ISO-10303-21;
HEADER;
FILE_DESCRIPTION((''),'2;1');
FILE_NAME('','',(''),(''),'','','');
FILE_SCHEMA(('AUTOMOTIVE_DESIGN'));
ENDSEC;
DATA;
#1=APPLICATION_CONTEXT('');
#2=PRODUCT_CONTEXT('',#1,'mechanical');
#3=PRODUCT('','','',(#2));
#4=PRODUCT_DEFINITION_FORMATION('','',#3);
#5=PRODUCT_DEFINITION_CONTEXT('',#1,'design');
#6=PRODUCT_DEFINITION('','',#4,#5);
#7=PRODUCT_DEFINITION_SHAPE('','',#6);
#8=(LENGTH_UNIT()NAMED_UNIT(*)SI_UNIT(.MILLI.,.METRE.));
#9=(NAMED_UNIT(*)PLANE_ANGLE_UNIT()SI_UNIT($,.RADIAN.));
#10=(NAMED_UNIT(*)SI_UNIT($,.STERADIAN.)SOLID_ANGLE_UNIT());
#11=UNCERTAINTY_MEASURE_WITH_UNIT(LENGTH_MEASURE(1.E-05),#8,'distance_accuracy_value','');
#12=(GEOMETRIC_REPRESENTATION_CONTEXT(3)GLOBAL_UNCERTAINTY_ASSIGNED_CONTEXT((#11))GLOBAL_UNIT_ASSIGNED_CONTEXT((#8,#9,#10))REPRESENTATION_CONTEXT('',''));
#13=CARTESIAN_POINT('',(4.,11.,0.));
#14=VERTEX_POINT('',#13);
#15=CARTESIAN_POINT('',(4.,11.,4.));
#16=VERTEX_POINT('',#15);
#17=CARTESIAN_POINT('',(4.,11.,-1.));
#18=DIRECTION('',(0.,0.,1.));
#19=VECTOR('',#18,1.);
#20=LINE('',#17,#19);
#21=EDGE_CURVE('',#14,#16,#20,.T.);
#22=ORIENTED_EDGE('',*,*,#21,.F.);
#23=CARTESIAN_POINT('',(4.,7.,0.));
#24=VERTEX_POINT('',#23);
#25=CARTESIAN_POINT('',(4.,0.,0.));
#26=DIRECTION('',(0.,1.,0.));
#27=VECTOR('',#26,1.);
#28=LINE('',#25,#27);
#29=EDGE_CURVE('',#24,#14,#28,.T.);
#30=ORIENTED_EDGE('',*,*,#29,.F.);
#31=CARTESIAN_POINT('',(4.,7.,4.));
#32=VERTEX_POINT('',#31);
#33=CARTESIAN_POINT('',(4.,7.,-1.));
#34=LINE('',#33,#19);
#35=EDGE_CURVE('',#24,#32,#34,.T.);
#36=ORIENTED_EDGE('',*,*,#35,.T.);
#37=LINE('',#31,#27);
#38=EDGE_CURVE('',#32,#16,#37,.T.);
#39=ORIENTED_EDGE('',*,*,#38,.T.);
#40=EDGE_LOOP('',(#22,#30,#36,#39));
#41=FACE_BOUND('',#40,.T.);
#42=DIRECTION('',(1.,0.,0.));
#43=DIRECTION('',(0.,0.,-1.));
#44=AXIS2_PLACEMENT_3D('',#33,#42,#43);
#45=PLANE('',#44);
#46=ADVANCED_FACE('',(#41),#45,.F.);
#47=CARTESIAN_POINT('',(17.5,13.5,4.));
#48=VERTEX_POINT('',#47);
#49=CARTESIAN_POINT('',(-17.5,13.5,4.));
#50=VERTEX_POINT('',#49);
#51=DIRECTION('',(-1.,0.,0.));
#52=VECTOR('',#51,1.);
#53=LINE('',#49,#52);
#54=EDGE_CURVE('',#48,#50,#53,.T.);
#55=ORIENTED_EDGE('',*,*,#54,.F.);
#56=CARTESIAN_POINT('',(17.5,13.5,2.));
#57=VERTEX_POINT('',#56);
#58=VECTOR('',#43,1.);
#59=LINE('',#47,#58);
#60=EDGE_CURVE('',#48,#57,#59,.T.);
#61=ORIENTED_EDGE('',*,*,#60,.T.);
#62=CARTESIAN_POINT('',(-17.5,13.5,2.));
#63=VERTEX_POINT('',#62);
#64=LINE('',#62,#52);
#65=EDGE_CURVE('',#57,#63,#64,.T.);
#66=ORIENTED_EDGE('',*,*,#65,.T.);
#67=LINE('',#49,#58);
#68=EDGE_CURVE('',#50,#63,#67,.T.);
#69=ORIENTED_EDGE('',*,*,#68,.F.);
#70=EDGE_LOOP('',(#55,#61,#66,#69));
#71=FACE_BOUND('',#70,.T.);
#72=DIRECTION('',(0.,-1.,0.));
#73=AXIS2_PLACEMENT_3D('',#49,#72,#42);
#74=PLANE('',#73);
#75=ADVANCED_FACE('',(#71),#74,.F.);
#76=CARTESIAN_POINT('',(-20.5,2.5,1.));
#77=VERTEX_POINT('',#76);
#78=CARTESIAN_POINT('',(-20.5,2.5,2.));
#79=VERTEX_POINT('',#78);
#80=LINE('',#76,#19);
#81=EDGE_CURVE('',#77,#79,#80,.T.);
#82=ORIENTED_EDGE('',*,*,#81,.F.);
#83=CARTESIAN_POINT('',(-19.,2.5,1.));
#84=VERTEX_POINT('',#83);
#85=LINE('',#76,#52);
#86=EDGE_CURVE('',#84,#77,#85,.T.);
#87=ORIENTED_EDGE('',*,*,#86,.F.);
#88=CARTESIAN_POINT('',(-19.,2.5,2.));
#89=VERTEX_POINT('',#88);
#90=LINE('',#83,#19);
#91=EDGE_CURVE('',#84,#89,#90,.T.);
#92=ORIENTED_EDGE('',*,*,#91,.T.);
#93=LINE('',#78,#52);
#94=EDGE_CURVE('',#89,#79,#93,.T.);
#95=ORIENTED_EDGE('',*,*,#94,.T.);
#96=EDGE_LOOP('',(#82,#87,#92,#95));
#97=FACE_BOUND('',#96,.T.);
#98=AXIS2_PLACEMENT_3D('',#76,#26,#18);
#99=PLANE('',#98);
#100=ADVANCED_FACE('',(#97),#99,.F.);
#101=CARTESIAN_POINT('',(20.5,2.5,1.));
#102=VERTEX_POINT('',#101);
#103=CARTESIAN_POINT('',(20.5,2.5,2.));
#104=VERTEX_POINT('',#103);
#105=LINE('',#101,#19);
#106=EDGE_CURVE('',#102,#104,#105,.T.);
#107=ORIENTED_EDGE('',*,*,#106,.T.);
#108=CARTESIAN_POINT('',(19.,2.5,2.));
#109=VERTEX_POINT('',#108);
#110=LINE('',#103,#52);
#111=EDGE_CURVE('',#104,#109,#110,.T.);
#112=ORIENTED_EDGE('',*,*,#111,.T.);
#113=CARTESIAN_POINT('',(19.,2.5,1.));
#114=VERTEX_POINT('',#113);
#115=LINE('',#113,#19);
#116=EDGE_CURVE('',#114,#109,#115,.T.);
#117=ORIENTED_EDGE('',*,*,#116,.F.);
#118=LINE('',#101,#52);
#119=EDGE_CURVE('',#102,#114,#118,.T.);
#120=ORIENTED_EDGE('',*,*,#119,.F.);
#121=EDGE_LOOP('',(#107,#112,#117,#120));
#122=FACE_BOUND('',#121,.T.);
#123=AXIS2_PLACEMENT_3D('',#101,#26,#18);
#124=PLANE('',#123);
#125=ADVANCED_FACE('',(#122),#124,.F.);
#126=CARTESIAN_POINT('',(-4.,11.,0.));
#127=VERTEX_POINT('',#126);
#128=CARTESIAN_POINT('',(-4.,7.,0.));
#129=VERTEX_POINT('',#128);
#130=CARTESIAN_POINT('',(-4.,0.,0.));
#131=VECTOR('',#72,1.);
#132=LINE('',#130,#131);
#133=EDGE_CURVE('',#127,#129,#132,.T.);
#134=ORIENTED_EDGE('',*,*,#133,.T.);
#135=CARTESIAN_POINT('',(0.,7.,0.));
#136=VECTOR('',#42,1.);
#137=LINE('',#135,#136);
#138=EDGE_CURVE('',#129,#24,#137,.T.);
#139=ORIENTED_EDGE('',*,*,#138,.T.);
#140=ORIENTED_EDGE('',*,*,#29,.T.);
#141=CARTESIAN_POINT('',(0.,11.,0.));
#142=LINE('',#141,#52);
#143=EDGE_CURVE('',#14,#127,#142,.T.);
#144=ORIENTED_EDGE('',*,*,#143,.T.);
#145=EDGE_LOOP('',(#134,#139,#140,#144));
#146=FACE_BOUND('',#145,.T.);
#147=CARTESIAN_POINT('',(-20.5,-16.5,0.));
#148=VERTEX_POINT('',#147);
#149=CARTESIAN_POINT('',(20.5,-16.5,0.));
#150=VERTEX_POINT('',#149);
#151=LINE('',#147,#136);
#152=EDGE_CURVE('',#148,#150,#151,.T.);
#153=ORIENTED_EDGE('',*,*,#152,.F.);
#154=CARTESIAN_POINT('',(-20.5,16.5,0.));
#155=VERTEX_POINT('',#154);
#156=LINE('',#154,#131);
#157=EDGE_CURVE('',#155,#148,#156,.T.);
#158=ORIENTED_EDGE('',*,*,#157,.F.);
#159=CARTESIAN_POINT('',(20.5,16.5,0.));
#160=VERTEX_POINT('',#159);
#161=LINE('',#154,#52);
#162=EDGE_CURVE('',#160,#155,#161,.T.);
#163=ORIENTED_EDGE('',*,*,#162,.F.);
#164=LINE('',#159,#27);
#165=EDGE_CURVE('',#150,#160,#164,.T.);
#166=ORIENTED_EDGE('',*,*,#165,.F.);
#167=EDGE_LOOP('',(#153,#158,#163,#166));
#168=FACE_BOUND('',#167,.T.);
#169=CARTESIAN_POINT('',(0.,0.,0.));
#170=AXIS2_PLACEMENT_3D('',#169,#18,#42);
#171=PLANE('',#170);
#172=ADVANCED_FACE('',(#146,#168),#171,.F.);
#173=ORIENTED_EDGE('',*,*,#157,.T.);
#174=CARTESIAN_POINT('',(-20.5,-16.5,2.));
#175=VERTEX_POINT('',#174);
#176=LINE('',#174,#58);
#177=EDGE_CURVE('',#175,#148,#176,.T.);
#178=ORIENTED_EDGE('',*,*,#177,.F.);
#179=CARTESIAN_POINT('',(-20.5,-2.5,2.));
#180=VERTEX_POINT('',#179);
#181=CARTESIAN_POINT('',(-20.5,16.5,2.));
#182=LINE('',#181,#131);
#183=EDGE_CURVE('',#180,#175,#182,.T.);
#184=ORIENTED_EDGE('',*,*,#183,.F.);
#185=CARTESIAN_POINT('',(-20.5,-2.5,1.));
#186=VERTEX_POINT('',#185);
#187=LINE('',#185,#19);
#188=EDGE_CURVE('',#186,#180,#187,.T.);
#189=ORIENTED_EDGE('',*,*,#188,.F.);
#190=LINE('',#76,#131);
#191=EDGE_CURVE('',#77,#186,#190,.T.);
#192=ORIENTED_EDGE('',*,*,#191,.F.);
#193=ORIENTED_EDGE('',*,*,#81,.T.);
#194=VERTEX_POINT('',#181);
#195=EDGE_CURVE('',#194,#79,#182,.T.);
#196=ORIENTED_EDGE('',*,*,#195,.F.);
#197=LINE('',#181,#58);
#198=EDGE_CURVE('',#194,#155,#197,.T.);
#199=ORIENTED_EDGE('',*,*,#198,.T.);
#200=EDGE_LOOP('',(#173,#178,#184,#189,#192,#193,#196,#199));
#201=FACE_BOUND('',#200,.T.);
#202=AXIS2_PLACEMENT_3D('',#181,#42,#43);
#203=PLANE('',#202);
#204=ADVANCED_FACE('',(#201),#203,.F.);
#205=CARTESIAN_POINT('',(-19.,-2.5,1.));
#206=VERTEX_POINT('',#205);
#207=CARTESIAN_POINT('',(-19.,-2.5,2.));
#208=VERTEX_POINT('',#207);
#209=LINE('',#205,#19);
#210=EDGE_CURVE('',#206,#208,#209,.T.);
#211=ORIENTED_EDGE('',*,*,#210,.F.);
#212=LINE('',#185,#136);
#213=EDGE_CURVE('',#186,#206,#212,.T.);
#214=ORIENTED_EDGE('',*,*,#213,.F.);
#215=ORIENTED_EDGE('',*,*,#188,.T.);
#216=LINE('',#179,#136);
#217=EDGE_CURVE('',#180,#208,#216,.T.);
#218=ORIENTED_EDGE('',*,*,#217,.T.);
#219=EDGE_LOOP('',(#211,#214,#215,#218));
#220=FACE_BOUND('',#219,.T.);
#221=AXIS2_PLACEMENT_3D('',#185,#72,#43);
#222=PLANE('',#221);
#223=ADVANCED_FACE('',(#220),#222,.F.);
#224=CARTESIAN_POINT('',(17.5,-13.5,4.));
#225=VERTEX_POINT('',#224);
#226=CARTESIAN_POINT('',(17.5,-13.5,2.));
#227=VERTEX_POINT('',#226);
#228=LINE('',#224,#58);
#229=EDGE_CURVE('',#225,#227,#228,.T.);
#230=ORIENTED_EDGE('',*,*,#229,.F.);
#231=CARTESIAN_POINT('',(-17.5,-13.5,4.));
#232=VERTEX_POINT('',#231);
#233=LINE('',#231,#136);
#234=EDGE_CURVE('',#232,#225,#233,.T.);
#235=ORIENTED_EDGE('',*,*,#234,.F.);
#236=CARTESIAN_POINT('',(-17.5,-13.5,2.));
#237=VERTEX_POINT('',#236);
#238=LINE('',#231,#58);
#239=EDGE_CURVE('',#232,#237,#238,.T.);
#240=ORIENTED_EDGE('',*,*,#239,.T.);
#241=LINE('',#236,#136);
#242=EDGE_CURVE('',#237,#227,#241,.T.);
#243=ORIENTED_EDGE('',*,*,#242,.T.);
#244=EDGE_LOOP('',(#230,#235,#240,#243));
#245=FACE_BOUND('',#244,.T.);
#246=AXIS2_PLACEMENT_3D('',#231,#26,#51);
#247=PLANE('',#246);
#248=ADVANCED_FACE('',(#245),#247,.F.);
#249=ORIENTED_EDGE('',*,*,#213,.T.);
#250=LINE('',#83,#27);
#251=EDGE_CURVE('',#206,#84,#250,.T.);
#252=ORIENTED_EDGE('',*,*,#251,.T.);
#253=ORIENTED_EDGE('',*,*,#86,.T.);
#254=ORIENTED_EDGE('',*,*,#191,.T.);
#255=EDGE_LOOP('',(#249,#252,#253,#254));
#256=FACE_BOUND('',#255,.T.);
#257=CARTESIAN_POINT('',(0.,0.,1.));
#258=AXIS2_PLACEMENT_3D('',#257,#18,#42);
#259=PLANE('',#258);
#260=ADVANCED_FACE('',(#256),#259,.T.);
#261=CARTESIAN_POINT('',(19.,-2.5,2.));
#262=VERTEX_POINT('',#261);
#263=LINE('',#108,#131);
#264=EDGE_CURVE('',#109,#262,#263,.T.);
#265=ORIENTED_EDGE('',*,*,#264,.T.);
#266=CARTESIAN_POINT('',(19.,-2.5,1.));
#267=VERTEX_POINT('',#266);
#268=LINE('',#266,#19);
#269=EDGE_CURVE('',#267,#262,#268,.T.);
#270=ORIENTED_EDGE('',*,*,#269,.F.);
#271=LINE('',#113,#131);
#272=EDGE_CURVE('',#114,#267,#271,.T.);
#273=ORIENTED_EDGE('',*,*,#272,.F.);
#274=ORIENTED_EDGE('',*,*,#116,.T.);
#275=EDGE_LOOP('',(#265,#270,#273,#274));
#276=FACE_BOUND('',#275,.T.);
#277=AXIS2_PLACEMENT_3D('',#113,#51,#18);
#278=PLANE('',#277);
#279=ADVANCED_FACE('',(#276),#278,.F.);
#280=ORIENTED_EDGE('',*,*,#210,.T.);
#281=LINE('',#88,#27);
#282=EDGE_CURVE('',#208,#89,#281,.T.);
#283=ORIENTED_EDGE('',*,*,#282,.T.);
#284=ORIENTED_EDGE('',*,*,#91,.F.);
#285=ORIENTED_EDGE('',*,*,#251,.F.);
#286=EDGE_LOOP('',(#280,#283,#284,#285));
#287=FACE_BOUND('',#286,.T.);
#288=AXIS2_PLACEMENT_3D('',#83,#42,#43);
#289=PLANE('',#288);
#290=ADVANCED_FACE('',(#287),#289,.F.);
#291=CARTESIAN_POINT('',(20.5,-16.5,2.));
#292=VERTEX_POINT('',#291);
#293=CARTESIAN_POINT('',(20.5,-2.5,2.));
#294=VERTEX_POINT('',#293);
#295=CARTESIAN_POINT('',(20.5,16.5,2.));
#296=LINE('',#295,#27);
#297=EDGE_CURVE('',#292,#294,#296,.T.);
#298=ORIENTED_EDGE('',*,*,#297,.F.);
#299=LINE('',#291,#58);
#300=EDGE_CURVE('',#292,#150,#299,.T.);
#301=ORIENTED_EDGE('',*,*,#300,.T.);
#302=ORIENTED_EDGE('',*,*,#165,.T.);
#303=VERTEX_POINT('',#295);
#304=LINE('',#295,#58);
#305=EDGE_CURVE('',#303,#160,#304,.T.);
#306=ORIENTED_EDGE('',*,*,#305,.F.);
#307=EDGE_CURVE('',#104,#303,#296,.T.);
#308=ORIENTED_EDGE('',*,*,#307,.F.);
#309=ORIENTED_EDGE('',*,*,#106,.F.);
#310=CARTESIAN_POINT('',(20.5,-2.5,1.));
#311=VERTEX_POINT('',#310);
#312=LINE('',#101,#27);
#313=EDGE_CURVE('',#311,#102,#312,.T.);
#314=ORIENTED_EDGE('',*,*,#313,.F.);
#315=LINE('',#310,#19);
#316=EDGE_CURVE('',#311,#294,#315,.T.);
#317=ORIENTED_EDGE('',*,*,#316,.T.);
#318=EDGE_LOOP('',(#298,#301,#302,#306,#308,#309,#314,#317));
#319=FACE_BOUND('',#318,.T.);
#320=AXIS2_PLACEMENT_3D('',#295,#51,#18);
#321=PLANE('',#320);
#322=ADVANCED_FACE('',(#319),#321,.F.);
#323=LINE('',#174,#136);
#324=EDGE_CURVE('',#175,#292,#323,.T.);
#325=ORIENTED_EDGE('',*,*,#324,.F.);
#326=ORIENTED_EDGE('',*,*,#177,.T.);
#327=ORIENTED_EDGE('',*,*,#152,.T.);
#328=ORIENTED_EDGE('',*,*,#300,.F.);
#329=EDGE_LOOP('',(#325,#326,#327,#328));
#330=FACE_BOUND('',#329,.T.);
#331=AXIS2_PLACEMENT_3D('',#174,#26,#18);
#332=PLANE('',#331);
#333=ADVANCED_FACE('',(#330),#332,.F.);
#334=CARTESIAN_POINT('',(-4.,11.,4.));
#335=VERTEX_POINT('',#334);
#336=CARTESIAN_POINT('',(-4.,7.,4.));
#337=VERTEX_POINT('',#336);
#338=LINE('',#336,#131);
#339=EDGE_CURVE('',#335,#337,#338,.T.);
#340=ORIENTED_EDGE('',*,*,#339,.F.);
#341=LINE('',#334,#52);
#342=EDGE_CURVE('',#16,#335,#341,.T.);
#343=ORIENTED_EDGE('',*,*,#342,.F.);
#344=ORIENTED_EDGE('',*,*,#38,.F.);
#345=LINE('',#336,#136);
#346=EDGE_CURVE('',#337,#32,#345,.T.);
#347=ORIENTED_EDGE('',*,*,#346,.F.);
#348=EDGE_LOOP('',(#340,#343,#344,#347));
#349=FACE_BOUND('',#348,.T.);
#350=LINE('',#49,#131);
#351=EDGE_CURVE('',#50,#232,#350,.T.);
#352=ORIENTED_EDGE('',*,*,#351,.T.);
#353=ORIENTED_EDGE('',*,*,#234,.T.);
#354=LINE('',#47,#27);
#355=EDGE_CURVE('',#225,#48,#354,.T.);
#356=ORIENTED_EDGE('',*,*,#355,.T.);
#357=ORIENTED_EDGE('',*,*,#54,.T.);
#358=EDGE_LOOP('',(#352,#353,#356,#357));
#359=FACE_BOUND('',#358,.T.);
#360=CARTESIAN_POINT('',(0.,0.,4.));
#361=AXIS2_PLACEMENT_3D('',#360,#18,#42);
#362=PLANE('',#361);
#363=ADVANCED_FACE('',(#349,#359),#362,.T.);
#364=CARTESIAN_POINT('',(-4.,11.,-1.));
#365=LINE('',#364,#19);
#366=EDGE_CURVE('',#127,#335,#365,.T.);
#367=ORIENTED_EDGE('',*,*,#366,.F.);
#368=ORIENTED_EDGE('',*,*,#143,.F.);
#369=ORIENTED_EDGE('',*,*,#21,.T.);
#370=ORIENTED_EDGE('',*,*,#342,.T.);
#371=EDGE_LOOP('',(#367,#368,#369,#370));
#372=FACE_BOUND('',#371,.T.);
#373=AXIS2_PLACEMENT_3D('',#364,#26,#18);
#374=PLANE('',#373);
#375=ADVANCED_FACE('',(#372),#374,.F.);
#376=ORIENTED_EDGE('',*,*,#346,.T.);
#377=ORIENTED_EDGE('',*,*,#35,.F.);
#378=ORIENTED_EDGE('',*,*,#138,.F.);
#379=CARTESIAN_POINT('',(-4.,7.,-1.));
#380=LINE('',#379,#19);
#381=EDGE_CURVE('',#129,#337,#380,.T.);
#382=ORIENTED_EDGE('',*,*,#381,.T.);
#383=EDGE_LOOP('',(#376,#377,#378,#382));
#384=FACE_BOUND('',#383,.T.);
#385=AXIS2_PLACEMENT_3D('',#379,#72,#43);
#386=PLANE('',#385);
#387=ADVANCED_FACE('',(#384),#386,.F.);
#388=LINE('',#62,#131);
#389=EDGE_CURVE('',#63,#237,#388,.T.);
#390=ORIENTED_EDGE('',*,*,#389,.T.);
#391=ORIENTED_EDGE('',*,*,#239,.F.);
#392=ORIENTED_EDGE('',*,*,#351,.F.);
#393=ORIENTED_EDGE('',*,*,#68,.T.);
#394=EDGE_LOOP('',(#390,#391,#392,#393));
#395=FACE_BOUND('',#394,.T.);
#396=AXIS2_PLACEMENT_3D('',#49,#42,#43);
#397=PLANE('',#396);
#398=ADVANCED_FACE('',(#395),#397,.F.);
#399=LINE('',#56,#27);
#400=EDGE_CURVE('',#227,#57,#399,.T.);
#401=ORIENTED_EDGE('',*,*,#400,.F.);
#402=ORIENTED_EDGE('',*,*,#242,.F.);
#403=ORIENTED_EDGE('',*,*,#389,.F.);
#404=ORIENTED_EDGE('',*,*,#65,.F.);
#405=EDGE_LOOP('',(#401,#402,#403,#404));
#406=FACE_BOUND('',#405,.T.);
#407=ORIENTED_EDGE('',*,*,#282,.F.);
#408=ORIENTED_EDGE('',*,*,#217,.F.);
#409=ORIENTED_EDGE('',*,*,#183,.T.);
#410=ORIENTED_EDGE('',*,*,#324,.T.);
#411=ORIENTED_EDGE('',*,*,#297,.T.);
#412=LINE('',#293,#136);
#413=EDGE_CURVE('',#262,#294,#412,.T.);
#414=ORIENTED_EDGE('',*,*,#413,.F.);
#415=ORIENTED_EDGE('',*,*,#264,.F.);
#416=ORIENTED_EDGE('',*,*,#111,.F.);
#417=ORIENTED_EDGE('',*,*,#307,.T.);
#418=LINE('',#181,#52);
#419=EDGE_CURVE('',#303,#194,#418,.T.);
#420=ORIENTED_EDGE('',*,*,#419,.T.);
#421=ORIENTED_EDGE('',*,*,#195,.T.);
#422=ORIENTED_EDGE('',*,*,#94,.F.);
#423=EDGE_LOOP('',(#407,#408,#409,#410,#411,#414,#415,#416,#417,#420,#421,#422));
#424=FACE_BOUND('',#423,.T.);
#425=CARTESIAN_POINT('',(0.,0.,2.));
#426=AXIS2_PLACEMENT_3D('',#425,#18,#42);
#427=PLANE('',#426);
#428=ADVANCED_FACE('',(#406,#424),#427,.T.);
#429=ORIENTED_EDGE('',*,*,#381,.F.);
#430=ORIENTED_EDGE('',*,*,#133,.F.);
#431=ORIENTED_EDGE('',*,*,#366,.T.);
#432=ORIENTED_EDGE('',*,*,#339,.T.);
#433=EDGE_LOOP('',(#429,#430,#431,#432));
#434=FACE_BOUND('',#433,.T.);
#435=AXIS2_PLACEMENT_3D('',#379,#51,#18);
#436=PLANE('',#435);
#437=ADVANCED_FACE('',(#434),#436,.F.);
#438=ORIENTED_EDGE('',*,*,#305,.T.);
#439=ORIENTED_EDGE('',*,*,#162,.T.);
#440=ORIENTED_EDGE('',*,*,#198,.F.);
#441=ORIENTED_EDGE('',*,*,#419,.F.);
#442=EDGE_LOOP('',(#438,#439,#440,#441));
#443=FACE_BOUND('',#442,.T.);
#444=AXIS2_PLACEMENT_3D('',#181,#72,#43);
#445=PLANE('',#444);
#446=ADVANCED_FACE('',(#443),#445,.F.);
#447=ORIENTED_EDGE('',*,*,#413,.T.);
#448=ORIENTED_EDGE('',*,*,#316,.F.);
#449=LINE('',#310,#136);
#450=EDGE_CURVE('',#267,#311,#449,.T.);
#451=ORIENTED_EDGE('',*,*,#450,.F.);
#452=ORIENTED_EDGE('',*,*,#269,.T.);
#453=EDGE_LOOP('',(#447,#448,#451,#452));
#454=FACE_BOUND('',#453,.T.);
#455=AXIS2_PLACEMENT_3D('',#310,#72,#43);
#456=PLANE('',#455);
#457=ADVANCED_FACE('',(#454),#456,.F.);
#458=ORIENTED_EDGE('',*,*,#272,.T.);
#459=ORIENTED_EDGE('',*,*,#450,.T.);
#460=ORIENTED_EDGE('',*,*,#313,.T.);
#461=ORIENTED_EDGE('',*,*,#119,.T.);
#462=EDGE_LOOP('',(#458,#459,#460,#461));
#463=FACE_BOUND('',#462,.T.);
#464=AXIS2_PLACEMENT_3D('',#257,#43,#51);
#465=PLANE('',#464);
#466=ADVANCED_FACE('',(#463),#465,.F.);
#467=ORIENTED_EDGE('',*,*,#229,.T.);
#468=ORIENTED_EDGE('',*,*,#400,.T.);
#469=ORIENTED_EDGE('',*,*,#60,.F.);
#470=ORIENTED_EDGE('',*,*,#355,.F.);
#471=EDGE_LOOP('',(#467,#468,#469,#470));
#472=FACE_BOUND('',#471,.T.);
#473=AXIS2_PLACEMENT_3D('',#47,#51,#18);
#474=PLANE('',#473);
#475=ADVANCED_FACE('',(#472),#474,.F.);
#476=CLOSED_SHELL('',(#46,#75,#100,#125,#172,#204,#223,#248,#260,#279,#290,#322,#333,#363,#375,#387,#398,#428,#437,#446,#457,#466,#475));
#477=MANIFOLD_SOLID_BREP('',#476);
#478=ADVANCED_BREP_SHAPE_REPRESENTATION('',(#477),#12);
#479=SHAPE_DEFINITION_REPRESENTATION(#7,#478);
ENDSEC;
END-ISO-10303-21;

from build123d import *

# Parameters (mm, degrees)
SKETCH_1_W          = 41
SKETCH_1_H          = 33
EXTRUDE_1_DEPTH     = 2
SKETCH_2_W          = 35
SKETCH_2_H          = 27
EXTRUDE_2_DEPTH     = 2
SKETCH_3_W          = 8
SKETCH_3_H          = 4
CUT_EXTRUDE_1_DEPTH = 5
SKETCH_5_W          = 1.5
SKETCH_5_H          = 5
CUT_EXTRUDE_2_DEPTH = 1


with BuildPart() as part:
    # Эскиз1 → Бобышка-Вытянуть1 (new body)
    with BuildSketch(Plane.XY):
        Rectangle(SKETCH_1_W, SKETCH_1_H)
    extrude(amount=EXTRUDE_1_DEPTH)

    # Эскиз2 → Бобышка-Вытянуть2 (add)
    with BuildSketch(Plane.XY.offset(2)):
        Rectangle(SKETCH_2_W, SKETCH_2_H)
    extrude(amount=EXTRUDE_2_DEPTH)

    # Эскиз3 → Вырез-Вытянуть1 (cut)
    with BuildSketch(Plane.XY.offset(4)):
        with Locations((0, 9)):
            Rectangle(SKETCH_3_W, SKETCH_3_H)
    extrude(amount=-CUT_EXTRUDE_1_DEPTH, mode=Mode.SUBTRACT)

    # Эскиз5 → Вырез-Вытянуть2 (cut)
    with BuildSketch(Plane.XY.offset(2)):
        with Locations((-19.75, 0)):
            Rectangle(SKETCH_5_W, SKETCH_5_H)
        with Locations((19.75, 0)):
            Rectangle(SKETCH_5_W, SKETCH_5_H)
    extrude(amount=-CUT_EXTRUDE_2_DEPTH, mode=Mode.SUBTRACT)


solid = part.part
